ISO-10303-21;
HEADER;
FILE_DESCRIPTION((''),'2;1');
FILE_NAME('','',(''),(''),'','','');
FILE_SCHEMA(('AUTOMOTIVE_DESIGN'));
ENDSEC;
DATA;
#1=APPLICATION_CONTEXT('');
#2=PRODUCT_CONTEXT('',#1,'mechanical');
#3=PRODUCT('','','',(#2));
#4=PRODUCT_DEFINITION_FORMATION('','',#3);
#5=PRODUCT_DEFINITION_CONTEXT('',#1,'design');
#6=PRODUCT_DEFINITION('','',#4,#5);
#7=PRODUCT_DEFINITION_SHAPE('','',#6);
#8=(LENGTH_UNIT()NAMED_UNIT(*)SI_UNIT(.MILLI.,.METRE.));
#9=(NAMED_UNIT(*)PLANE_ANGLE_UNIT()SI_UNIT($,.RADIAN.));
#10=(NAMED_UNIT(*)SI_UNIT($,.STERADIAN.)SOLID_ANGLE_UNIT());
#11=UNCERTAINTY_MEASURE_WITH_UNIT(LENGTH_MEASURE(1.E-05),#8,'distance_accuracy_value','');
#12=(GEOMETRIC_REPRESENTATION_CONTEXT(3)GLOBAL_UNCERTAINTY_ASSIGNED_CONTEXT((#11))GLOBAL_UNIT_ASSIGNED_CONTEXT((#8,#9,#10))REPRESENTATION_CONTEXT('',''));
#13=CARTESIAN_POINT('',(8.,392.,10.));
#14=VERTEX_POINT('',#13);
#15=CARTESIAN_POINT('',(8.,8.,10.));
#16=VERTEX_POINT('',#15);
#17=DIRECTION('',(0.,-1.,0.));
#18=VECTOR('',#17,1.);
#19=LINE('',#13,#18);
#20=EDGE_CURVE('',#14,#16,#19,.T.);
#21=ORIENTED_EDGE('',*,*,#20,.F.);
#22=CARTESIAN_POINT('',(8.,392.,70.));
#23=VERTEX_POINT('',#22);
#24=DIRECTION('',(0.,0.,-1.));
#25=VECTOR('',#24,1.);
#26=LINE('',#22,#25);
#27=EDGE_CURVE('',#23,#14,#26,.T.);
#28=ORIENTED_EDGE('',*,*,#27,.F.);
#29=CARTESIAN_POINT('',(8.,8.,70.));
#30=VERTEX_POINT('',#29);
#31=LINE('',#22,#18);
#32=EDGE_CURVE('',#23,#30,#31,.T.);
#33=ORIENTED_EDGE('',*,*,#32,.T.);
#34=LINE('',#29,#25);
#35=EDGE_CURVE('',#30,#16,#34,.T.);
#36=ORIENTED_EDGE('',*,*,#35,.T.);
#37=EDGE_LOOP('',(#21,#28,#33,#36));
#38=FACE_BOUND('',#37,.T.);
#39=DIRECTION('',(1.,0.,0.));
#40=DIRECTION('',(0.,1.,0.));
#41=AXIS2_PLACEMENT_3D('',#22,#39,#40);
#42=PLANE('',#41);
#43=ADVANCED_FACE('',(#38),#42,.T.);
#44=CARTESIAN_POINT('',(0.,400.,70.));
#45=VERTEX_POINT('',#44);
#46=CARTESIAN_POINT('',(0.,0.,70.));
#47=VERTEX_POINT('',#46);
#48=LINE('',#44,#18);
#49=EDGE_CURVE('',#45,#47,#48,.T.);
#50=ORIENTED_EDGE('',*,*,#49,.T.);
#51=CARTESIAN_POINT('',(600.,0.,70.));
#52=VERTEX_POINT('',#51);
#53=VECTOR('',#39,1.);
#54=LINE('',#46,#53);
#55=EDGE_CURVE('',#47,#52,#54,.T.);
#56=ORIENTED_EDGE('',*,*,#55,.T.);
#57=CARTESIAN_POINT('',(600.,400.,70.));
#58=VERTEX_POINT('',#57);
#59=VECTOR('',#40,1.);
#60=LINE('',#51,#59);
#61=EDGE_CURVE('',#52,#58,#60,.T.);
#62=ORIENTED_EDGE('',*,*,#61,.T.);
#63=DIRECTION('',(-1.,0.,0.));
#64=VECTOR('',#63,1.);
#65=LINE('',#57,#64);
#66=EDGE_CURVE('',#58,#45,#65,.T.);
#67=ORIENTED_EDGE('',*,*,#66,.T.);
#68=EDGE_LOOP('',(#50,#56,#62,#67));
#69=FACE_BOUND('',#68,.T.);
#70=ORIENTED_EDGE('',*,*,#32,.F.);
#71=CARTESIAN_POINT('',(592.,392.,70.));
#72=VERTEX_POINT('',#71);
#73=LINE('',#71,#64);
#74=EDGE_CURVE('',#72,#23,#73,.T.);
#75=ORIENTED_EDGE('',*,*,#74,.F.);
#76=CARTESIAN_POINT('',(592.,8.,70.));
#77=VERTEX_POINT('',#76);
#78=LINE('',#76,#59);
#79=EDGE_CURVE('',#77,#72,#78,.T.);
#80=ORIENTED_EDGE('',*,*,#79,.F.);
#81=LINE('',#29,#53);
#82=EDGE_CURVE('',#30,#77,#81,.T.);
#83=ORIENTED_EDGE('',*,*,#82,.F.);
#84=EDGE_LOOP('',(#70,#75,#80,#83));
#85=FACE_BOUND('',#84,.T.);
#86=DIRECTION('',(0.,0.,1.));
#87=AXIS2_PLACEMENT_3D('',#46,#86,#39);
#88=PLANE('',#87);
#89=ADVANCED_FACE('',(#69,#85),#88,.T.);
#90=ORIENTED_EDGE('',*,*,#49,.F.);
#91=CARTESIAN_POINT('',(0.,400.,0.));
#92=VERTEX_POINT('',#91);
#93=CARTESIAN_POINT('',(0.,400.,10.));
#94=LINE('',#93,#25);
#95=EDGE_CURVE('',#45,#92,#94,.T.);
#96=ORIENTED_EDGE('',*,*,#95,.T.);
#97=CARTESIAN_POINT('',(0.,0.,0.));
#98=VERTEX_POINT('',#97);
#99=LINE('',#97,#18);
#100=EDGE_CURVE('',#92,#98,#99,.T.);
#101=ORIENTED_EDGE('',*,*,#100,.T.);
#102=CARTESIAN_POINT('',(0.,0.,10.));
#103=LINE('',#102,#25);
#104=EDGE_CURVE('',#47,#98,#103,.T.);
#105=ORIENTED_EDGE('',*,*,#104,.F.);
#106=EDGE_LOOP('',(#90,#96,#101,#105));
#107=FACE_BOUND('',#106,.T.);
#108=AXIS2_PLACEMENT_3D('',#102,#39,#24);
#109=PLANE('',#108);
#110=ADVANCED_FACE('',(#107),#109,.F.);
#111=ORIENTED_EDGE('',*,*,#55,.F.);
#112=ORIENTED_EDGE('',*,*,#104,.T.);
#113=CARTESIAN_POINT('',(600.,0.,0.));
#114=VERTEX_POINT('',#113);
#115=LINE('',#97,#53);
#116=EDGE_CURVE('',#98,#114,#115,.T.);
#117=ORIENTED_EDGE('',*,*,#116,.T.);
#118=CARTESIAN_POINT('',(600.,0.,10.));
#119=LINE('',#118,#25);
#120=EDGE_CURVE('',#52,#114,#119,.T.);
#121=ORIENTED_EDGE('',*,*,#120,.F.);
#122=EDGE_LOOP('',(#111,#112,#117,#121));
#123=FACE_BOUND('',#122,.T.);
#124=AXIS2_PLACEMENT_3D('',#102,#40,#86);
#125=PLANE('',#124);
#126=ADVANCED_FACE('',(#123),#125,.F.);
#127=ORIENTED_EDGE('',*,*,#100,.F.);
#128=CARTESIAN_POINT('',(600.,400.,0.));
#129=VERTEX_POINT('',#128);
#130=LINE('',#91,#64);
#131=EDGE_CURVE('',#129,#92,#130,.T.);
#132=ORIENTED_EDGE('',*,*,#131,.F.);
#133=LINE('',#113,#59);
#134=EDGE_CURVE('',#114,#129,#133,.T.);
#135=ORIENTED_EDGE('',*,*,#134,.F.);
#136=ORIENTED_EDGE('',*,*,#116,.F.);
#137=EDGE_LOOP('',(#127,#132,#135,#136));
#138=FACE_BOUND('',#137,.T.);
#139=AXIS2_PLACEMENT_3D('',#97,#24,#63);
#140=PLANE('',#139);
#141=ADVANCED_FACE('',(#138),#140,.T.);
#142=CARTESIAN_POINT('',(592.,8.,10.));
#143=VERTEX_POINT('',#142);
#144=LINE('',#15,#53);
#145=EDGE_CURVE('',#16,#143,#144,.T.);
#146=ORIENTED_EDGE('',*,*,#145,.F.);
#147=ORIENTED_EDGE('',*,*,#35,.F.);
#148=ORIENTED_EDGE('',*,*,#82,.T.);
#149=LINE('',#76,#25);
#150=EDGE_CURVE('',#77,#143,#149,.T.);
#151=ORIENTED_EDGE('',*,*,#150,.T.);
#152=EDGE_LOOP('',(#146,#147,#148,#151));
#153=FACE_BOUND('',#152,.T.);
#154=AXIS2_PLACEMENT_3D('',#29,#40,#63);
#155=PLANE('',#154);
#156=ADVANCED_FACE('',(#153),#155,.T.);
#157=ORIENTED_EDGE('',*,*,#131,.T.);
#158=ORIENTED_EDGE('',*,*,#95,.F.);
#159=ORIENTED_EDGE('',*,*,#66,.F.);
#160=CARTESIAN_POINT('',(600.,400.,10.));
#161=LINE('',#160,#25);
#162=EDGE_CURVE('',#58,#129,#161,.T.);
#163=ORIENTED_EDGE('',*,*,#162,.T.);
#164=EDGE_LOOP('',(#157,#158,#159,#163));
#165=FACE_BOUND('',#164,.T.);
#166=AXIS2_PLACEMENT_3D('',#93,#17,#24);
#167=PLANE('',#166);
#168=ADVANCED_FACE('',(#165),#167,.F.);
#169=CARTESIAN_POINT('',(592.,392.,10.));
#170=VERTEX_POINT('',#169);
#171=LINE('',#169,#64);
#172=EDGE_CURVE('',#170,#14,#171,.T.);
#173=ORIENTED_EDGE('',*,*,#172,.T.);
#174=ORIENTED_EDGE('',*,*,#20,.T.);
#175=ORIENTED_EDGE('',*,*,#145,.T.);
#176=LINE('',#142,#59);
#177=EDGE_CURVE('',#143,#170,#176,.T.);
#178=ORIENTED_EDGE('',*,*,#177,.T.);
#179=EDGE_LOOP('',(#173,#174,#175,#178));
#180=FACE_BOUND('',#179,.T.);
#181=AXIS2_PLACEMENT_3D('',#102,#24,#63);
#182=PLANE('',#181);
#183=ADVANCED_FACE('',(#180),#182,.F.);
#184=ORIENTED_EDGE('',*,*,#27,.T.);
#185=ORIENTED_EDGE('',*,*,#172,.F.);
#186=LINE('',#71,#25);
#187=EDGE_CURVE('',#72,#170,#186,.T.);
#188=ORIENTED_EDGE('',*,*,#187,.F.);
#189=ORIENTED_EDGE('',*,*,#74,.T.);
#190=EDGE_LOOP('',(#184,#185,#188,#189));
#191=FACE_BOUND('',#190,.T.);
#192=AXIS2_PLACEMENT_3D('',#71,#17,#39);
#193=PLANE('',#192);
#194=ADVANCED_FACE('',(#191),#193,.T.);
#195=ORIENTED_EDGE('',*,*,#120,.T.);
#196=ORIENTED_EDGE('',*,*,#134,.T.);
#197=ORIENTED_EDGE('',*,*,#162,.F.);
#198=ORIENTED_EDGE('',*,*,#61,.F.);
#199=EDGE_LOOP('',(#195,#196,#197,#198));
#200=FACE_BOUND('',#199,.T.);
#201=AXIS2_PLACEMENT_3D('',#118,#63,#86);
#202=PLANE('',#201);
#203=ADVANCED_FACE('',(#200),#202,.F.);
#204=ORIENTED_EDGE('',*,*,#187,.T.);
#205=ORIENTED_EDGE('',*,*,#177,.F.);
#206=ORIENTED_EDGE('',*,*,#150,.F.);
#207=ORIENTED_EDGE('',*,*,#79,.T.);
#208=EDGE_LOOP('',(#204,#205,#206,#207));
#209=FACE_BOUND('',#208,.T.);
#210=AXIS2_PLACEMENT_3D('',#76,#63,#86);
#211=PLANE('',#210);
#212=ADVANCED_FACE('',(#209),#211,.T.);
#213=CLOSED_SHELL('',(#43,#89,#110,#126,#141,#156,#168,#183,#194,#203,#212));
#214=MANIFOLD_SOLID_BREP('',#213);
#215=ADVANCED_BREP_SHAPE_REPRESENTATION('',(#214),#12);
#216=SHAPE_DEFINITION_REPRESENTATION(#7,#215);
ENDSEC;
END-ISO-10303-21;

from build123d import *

# Parameters (mm, degrees)
ESQUISSE1_W        = 600
ESQUISSE1_H        = 400
BOSS_EXTRU_1_DEPTH = 10
ESQUISSE2_W        = 600
ESQUISSE2_H        = 400
ESQUISSE2_W_2      = 584
ESQUISSE2_H_2      = 384
BOSS_EXTRU_2_DEPTH = 60


with BuildPart() as part:
    # Esquisse1 → Boss.-Extru.1 (new body)
    with BuildSketch(Plane.XY):
        with Locations((300, 200)):
            Rectangle(ESQUISSE1_W, ESQUISSE1_H)
    extrude(amount=BOSS_EXTRU_1_DEPTH)

    # Esquisse2 → Boss.-Extru.2 (add)
    with BuildSketch(Plane.XY.offset(10)):
        with Locations((300, 200)):
            Rectangle(ESQUISSE2_W, ESQUISSE2_H)
        with Locations((300, 200)):
            Rectangle(ESQUISSE2_W_2, ESQUISSE2_H_2, mode=Mode.SUBTRACT)
    extrude(amount=BOSS_EXTRU_2_DEPTH)


solid = part.part
